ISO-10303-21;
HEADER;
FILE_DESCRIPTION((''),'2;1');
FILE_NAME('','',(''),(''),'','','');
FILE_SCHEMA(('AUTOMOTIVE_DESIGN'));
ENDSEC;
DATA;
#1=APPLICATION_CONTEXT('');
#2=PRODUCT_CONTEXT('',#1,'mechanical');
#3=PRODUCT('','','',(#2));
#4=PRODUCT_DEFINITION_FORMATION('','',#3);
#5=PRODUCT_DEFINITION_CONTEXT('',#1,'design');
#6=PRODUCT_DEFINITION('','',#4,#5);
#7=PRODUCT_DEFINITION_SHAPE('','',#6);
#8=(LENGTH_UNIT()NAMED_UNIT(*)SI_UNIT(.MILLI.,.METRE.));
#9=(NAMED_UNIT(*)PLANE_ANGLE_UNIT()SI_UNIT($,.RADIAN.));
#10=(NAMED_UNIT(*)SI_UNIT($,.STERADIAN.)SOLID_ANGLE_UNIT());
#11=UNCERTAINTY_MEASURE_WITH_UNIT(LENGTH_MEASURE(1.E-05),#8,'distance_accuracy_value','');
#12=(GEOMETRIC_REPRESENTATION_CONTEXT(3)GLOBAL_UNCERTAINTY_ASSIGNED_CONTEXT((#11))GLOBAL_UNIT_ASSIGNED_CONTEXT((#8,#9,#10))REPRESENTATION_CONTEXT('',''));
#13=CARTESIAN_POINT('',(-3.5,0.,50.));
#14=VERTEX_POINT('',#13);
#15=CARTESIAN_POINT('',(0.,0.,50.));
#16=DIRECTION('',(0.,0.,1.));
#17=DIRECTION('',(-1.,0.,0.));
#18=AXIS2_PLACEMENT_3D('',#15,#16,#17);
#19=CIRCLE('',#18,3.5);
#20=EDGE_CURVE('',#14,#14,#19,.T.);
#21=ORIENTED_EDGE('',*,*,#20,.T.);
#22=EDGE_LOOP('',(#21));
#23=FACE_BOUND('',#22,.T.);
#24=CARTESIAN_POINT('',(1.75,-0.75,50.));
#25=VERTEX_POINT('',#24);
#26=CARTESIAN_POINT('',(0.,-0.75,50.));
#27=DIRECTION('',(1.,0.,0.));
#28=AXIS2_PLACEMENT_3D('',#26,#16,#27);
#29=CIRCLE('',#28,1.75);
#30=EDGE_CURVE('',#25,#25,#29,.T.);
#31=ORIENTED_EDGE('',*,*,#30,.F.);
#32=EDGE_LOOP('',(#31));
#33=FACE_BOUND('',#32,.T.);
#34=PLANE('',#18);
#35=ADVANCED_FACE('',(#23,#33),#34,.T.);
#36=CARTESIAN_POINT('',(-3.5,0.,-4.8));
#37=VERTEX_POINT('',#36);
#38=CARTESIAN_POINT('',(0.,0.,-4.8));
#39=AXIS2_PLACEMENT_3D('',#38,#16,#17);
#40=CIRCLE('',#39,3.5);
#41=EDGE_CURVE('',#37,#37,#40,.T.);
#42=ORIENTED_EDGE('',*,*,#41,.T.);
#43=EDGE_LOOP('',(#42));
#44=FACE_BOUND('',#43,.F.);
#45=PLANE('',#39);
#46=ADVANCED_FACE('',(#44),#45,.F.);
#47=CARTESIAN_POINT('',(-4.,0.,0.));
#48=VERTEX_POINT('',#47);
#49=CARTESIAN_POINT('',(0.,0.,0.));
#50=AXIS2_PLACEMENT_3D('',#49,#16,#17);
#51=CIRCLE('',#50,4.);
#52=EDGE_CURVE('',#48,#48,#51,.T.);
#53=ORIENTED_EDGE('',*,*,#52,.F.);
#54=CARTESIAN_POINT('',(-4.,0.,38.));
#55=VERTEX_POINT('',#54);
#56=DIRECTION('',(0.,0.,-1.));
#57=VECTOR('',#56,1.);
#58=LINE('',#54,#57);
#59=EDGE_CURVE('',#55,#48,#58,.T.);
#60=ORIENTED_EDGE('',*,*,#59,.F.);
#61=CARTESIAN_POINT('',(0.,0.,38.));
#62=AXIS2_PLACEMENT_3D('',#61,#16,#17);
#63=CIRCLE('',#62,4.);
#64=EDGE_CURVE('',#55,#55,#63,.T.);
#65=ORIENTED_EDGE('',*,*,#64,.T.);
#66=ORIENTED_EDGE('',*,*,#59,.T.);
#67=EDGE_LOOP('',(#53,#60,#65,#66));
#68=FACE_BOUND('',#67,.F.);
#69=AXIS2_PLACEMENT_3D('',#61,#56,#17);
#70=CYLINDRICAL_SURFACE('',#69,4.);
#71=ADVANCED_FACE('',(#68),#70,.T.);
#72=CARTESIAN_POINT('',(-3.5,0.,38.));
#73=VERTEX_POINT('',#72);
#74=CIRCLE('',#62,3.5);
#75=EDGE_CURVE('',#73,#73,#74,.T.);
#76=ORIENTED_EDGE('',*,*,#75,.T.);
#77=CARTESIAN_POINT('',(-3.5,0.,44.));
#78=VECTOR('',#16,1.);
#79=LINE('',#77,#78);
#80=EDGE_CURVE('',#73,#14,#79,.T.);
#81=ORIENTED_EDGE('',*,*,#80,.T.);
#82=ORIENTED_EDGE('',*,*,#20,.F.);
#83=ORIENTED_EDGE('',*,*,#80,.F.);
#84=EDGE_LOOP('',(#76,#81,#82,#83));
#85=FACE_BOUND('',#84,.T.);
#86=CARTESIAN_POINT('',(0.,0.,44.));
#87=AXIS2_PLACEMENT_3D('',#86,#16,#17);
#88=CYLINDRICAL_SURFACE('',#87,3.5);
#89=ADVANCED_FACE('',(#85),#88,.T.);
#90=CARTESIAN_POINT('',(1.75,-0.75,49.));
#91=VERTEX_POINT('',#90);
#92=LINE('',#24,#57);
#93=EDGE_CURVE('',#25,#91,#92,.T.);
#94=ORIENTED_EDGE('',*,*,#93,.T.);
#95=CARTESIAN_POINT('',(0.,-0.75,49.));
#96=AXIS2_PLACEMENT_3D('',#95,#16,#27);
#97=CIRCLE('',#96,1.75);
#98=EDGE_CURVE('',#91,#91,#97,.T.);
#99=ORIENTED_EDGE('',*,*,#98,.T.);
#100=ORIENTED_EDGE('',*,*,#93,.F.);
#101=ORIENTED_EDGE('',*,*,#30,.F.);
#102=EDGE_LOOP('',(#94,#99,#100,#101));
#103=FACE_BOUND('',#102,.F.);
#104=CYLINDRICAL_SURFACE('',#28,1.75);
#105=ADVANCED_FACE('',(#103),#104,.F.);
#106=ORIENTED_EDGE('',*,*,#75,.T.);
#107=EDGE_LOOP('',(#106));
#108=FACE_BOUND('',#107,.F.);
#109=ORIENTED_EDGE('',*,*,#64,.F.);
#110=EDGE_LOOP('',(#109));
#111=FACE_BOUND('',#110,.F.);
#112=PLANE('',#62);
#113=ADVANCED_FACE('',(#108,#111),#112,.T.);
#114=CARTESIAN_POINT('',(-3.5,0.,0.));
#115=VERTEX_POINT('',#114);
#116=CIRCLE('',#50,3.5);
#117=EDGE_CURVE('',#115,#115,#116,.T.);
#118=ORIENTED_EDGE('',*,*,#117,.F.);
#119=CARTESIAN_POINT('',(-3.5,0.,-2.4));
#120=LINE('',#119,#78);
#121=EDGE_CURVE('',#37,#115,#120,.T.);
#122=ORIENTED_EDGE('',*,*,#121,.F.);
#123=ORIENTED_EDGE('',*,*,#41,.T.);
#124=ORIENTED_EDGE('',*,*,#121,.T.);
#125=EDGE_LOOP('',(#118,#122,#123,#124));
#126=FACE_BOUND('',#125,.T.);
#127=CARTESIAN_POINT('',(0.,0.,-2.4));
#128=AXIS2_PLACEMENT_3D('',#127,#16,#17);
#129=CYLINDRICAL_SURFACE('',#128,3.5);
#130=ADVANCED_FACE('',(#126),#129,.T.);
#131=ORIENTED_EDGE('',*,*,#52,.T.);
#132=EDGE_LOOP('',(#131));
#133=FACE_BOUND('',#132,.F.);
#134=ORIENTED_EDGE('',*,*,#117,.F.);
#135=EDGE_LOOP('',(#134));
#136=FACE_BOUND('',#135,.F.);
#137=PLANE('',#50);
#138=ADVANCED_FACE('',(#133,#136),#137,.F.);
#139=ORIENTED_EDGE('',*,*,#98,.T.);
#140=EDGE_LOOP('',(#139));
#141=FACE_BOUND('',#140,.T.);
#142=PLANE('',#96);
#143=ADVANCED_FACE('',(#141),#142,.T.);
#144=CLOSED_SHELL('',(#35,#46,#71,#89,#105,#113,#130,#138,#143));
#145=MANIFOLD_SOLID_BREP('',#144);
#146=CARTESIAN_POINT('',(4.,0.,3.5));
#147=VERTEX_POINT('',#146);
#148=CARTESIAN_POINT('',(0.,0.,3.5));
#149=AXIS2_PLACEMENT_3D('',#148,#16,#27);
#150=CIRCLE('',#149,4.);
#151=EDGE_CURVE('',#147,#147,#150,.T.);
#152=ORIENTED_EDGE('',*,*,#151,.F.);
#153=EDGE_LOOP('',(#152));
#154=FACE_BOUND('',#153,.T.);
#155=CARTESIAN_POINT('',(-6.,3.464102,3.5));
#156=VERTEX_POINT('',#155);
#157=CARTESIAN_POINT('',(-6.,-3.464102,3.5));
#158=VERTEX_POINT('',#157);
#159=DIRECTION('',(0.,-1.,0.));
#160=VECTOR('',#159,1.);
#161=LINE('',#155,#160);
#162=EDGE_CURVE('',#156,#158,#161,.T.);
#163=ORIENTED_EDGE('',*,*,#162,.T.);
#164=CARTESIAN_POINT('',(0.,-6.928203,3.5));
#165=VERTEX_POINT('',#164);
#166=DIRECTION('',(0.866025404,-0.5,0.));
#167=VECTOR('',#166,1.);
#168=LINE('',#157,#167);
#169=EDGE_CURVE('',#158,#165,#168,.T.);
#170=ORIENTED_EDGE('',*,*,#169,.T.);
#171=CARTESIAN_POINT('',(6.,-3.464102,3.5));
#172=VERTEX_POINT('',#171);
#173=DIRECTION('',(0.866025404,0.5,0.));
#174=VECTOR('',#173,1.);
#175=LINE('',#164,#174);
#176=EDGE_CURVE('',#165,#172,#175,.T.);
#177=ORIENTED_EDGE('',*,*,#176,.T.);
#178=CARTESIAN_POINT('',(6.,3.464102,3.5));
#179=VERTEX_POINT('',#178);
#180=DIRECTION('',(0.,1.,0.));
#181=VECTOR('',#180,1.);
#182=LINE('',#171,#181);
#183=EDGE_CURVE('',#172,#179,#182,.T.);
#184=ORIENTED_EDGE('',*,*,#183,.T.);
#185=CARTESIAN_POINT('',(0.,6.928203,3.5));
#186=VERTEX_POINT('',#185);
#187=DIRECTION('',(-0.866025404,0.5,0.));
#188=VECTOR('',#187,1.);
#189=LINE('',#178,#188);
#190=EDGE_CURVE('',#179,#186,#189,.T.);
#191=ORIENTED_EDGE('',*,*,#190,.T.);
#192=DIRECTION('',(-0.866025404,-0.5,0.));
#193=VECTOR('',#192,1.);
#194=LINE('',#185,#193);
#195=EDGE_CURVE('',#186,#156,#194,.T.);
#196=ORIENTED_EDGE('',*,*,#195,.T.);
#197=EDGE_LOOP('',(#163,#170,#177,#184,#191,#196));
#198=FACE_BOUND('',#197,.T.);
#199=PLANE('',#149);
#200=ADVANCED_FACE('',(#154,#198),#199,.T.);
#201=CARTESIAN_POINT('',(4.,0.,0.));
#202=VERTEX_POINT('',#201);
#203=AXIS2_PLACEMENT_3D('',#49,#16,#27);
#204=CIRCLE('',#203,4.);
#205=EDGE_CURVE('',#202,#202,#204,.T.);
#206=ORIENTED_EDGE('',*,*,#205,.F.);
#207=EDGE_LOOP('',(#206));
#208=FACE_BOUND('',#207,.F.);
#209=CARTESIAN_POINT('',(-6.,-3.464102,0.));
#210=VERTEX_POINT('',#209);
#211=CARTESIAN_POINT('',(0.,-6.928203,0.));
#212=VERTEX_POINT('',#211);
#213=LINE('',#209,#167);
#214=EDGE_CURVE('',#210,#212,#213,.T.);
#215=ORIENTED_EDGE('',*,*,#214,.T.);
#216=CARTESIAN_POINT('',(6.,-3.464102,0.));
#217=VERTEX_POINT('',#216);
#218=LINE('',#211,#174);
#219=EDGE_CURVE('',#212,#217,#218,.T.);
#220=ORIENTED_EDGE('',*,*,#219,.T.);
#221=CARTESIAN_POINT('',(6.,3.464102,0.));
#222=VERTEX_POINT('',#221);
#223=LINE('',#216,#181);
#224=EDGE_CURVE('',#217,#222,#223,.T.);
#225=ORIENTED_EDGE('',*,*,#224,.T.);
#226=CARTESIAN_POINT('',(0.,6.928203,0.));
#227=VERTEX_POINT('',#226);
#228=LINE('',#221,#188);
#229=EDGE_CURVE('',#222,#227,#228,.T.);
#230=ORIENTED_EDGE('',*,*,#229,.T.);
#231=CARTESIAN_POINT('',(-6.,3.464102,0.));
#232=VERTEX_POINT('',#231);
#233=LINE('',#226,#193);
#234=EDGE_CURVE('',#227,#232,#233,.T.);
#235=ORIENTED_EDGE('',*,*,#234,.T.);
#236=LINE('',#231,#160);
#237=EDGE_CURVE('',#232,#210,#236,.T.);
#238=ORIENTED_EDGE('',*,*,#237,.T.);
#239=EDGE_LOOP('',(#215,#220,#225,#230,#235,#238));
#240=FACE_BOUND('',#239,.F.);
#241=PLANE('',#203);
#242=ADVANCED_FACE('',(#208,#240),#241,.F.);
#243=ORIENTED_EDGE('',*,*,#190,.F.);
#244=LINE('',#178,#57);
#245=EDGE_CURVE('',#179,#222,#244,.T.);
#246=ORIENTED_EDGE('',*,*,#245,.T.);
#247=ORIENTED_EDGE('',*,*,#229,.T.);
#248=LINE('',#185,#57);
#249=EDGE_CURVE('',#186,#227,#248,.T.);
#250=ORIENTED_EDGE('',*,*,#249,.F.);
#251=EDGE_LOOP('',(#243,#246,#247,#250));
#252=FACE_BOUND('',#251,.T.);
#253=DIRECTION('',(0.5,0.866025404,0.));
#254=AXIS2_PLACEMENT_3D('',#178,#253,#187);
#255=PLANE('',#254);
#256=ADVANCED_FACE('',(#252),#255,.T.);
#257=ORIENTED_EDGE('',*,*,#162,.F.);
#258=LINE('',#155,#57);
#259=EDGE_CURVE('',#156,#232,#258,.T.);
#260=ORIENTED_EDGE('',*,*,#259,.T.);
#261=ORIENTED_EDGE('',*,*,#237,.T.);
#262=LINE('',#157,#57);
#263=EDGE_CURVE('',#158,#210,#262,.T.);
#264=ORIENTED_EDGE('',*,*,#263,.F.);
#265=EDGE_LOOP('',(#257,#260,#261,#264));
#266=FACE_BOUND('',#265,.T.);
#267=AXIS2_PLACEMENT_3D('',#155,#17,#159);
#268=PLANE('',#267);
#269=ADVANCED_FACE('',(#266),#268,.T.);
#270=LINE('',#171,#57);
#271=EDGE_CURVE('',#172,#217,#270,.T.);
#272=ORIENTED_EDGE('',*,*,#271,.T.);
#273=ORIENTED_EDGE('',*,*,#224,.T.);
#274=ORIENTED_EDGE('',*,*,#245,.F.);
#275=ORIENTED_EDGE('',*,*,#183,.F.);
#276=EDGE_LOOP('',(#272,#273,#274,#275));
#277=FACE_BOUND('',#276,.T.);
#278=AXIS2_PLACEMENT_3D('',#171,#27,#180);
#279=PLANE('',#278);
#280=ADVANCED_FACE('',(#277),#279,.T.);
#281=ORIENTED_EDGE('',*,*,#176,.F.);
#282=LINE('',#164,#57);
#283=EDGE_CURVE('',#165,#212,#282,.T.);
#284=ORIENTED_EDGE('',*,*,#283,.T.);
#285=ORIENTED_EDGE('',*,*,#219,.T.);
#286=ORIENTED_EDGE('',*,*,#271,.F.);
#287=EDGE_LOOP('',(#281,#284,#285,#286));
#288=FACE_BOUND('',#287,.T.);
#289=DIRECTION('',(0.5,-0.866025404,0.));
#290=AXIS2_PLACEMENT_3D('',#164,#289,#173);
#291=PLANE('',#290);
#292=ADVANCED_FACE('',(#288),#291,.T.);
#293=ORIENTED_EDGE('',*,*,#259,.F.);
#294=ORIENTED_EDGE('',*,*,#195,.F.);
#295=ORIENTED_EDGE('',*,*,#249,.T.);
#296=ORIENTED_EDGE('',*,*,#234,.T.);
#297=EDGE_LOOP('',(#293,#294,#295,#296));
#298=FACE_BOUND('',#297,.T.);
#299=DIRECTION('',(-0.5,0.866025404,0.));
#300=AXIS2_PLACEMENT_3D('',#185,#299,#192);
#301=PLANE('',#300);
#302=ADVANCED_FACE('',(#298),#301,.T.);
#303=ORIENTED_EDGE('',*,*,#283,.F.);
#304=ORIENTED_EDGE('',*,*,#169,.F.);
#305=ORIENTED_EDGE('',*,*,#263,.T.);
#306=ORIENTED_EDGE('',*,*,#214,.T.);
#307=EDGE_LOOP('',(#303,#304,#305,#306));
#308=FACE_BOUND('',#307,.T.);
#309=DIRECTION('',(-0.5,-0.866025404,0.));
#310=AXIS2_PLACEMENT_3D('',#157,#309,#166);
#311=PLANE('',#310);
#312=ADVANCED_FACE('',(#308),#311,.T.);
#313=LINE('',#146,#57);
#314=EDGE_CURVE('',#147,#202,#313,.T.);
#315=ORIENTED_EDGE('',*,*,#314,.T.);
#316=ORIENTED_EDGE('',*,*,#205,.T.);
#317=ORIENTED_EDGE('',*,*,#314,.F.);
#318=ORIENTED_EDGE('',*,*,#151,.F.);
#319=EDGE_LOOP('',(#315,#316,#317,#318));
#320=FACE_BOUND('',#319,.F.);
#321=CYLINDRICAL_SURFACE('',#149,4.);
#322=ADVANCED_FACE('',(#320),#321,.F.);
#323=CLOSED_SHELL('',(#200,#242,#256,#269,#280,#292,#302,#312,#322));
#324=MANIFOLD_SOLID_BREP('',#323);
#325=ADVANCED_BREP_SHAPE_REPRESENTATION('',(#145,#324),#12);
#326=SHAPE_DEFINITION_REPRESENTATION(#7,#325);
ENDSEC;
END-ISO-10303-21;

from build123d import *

# Parameters (mm, degrees)
F0_W     = 3.5
F0_H     = 4.8
F0_H_2   = 12
F2_R     = 1.75
F3_DEPTH = 1
F4_START = -46.5
F2_R_2   = 4
F4_DEPTH = 3.5


with BuildPart() as f1:
    # F0 (on Front) → F1 (revolve)
    with BuildSketch(Plane.XZ):
        Polygon((-3.5, 0), (0, 0), (0, 38), (-3.5, 38), (-4, 38), (-4, 0), align=None)
        with Locations((-1.75, -2.4)):
            Rectangle(F0_W, F0_H)
        with Locations((-1.75, 44)):
            Rectangle(F0_W, F0_H_2)
    revolve(axis=Axis((0, 0, 19), (0, 0, 1)))

    # F2 (on face) → F3 (cut)
    with BuildSketch(Plane.XY.offset(50)):
        with Locations((0, -0.75)):
            Circle(F2_R)
    extrude(amount=-F3_DEPTH, mode=Mode.SUBTRACT)


with BuildPart() as f4:
    # F2 (on face) → F4 (new body)
    with BuildSketch(Plane.XY.offset(50).offset(F4_START)):
        Polygon((6, -3.4641016151), (6, 3.4641016151), (0, 6.9282032303), (-6, 3.4641016151), (-6, -3.4641016151), (0, -6.9282032303), align=None)
        Circle(F2_R_2, mode=Mode.SUBTRACT)
    extrude(amount=-F4_DEPTH)


solid = Compound([f1.part, f4.part])
